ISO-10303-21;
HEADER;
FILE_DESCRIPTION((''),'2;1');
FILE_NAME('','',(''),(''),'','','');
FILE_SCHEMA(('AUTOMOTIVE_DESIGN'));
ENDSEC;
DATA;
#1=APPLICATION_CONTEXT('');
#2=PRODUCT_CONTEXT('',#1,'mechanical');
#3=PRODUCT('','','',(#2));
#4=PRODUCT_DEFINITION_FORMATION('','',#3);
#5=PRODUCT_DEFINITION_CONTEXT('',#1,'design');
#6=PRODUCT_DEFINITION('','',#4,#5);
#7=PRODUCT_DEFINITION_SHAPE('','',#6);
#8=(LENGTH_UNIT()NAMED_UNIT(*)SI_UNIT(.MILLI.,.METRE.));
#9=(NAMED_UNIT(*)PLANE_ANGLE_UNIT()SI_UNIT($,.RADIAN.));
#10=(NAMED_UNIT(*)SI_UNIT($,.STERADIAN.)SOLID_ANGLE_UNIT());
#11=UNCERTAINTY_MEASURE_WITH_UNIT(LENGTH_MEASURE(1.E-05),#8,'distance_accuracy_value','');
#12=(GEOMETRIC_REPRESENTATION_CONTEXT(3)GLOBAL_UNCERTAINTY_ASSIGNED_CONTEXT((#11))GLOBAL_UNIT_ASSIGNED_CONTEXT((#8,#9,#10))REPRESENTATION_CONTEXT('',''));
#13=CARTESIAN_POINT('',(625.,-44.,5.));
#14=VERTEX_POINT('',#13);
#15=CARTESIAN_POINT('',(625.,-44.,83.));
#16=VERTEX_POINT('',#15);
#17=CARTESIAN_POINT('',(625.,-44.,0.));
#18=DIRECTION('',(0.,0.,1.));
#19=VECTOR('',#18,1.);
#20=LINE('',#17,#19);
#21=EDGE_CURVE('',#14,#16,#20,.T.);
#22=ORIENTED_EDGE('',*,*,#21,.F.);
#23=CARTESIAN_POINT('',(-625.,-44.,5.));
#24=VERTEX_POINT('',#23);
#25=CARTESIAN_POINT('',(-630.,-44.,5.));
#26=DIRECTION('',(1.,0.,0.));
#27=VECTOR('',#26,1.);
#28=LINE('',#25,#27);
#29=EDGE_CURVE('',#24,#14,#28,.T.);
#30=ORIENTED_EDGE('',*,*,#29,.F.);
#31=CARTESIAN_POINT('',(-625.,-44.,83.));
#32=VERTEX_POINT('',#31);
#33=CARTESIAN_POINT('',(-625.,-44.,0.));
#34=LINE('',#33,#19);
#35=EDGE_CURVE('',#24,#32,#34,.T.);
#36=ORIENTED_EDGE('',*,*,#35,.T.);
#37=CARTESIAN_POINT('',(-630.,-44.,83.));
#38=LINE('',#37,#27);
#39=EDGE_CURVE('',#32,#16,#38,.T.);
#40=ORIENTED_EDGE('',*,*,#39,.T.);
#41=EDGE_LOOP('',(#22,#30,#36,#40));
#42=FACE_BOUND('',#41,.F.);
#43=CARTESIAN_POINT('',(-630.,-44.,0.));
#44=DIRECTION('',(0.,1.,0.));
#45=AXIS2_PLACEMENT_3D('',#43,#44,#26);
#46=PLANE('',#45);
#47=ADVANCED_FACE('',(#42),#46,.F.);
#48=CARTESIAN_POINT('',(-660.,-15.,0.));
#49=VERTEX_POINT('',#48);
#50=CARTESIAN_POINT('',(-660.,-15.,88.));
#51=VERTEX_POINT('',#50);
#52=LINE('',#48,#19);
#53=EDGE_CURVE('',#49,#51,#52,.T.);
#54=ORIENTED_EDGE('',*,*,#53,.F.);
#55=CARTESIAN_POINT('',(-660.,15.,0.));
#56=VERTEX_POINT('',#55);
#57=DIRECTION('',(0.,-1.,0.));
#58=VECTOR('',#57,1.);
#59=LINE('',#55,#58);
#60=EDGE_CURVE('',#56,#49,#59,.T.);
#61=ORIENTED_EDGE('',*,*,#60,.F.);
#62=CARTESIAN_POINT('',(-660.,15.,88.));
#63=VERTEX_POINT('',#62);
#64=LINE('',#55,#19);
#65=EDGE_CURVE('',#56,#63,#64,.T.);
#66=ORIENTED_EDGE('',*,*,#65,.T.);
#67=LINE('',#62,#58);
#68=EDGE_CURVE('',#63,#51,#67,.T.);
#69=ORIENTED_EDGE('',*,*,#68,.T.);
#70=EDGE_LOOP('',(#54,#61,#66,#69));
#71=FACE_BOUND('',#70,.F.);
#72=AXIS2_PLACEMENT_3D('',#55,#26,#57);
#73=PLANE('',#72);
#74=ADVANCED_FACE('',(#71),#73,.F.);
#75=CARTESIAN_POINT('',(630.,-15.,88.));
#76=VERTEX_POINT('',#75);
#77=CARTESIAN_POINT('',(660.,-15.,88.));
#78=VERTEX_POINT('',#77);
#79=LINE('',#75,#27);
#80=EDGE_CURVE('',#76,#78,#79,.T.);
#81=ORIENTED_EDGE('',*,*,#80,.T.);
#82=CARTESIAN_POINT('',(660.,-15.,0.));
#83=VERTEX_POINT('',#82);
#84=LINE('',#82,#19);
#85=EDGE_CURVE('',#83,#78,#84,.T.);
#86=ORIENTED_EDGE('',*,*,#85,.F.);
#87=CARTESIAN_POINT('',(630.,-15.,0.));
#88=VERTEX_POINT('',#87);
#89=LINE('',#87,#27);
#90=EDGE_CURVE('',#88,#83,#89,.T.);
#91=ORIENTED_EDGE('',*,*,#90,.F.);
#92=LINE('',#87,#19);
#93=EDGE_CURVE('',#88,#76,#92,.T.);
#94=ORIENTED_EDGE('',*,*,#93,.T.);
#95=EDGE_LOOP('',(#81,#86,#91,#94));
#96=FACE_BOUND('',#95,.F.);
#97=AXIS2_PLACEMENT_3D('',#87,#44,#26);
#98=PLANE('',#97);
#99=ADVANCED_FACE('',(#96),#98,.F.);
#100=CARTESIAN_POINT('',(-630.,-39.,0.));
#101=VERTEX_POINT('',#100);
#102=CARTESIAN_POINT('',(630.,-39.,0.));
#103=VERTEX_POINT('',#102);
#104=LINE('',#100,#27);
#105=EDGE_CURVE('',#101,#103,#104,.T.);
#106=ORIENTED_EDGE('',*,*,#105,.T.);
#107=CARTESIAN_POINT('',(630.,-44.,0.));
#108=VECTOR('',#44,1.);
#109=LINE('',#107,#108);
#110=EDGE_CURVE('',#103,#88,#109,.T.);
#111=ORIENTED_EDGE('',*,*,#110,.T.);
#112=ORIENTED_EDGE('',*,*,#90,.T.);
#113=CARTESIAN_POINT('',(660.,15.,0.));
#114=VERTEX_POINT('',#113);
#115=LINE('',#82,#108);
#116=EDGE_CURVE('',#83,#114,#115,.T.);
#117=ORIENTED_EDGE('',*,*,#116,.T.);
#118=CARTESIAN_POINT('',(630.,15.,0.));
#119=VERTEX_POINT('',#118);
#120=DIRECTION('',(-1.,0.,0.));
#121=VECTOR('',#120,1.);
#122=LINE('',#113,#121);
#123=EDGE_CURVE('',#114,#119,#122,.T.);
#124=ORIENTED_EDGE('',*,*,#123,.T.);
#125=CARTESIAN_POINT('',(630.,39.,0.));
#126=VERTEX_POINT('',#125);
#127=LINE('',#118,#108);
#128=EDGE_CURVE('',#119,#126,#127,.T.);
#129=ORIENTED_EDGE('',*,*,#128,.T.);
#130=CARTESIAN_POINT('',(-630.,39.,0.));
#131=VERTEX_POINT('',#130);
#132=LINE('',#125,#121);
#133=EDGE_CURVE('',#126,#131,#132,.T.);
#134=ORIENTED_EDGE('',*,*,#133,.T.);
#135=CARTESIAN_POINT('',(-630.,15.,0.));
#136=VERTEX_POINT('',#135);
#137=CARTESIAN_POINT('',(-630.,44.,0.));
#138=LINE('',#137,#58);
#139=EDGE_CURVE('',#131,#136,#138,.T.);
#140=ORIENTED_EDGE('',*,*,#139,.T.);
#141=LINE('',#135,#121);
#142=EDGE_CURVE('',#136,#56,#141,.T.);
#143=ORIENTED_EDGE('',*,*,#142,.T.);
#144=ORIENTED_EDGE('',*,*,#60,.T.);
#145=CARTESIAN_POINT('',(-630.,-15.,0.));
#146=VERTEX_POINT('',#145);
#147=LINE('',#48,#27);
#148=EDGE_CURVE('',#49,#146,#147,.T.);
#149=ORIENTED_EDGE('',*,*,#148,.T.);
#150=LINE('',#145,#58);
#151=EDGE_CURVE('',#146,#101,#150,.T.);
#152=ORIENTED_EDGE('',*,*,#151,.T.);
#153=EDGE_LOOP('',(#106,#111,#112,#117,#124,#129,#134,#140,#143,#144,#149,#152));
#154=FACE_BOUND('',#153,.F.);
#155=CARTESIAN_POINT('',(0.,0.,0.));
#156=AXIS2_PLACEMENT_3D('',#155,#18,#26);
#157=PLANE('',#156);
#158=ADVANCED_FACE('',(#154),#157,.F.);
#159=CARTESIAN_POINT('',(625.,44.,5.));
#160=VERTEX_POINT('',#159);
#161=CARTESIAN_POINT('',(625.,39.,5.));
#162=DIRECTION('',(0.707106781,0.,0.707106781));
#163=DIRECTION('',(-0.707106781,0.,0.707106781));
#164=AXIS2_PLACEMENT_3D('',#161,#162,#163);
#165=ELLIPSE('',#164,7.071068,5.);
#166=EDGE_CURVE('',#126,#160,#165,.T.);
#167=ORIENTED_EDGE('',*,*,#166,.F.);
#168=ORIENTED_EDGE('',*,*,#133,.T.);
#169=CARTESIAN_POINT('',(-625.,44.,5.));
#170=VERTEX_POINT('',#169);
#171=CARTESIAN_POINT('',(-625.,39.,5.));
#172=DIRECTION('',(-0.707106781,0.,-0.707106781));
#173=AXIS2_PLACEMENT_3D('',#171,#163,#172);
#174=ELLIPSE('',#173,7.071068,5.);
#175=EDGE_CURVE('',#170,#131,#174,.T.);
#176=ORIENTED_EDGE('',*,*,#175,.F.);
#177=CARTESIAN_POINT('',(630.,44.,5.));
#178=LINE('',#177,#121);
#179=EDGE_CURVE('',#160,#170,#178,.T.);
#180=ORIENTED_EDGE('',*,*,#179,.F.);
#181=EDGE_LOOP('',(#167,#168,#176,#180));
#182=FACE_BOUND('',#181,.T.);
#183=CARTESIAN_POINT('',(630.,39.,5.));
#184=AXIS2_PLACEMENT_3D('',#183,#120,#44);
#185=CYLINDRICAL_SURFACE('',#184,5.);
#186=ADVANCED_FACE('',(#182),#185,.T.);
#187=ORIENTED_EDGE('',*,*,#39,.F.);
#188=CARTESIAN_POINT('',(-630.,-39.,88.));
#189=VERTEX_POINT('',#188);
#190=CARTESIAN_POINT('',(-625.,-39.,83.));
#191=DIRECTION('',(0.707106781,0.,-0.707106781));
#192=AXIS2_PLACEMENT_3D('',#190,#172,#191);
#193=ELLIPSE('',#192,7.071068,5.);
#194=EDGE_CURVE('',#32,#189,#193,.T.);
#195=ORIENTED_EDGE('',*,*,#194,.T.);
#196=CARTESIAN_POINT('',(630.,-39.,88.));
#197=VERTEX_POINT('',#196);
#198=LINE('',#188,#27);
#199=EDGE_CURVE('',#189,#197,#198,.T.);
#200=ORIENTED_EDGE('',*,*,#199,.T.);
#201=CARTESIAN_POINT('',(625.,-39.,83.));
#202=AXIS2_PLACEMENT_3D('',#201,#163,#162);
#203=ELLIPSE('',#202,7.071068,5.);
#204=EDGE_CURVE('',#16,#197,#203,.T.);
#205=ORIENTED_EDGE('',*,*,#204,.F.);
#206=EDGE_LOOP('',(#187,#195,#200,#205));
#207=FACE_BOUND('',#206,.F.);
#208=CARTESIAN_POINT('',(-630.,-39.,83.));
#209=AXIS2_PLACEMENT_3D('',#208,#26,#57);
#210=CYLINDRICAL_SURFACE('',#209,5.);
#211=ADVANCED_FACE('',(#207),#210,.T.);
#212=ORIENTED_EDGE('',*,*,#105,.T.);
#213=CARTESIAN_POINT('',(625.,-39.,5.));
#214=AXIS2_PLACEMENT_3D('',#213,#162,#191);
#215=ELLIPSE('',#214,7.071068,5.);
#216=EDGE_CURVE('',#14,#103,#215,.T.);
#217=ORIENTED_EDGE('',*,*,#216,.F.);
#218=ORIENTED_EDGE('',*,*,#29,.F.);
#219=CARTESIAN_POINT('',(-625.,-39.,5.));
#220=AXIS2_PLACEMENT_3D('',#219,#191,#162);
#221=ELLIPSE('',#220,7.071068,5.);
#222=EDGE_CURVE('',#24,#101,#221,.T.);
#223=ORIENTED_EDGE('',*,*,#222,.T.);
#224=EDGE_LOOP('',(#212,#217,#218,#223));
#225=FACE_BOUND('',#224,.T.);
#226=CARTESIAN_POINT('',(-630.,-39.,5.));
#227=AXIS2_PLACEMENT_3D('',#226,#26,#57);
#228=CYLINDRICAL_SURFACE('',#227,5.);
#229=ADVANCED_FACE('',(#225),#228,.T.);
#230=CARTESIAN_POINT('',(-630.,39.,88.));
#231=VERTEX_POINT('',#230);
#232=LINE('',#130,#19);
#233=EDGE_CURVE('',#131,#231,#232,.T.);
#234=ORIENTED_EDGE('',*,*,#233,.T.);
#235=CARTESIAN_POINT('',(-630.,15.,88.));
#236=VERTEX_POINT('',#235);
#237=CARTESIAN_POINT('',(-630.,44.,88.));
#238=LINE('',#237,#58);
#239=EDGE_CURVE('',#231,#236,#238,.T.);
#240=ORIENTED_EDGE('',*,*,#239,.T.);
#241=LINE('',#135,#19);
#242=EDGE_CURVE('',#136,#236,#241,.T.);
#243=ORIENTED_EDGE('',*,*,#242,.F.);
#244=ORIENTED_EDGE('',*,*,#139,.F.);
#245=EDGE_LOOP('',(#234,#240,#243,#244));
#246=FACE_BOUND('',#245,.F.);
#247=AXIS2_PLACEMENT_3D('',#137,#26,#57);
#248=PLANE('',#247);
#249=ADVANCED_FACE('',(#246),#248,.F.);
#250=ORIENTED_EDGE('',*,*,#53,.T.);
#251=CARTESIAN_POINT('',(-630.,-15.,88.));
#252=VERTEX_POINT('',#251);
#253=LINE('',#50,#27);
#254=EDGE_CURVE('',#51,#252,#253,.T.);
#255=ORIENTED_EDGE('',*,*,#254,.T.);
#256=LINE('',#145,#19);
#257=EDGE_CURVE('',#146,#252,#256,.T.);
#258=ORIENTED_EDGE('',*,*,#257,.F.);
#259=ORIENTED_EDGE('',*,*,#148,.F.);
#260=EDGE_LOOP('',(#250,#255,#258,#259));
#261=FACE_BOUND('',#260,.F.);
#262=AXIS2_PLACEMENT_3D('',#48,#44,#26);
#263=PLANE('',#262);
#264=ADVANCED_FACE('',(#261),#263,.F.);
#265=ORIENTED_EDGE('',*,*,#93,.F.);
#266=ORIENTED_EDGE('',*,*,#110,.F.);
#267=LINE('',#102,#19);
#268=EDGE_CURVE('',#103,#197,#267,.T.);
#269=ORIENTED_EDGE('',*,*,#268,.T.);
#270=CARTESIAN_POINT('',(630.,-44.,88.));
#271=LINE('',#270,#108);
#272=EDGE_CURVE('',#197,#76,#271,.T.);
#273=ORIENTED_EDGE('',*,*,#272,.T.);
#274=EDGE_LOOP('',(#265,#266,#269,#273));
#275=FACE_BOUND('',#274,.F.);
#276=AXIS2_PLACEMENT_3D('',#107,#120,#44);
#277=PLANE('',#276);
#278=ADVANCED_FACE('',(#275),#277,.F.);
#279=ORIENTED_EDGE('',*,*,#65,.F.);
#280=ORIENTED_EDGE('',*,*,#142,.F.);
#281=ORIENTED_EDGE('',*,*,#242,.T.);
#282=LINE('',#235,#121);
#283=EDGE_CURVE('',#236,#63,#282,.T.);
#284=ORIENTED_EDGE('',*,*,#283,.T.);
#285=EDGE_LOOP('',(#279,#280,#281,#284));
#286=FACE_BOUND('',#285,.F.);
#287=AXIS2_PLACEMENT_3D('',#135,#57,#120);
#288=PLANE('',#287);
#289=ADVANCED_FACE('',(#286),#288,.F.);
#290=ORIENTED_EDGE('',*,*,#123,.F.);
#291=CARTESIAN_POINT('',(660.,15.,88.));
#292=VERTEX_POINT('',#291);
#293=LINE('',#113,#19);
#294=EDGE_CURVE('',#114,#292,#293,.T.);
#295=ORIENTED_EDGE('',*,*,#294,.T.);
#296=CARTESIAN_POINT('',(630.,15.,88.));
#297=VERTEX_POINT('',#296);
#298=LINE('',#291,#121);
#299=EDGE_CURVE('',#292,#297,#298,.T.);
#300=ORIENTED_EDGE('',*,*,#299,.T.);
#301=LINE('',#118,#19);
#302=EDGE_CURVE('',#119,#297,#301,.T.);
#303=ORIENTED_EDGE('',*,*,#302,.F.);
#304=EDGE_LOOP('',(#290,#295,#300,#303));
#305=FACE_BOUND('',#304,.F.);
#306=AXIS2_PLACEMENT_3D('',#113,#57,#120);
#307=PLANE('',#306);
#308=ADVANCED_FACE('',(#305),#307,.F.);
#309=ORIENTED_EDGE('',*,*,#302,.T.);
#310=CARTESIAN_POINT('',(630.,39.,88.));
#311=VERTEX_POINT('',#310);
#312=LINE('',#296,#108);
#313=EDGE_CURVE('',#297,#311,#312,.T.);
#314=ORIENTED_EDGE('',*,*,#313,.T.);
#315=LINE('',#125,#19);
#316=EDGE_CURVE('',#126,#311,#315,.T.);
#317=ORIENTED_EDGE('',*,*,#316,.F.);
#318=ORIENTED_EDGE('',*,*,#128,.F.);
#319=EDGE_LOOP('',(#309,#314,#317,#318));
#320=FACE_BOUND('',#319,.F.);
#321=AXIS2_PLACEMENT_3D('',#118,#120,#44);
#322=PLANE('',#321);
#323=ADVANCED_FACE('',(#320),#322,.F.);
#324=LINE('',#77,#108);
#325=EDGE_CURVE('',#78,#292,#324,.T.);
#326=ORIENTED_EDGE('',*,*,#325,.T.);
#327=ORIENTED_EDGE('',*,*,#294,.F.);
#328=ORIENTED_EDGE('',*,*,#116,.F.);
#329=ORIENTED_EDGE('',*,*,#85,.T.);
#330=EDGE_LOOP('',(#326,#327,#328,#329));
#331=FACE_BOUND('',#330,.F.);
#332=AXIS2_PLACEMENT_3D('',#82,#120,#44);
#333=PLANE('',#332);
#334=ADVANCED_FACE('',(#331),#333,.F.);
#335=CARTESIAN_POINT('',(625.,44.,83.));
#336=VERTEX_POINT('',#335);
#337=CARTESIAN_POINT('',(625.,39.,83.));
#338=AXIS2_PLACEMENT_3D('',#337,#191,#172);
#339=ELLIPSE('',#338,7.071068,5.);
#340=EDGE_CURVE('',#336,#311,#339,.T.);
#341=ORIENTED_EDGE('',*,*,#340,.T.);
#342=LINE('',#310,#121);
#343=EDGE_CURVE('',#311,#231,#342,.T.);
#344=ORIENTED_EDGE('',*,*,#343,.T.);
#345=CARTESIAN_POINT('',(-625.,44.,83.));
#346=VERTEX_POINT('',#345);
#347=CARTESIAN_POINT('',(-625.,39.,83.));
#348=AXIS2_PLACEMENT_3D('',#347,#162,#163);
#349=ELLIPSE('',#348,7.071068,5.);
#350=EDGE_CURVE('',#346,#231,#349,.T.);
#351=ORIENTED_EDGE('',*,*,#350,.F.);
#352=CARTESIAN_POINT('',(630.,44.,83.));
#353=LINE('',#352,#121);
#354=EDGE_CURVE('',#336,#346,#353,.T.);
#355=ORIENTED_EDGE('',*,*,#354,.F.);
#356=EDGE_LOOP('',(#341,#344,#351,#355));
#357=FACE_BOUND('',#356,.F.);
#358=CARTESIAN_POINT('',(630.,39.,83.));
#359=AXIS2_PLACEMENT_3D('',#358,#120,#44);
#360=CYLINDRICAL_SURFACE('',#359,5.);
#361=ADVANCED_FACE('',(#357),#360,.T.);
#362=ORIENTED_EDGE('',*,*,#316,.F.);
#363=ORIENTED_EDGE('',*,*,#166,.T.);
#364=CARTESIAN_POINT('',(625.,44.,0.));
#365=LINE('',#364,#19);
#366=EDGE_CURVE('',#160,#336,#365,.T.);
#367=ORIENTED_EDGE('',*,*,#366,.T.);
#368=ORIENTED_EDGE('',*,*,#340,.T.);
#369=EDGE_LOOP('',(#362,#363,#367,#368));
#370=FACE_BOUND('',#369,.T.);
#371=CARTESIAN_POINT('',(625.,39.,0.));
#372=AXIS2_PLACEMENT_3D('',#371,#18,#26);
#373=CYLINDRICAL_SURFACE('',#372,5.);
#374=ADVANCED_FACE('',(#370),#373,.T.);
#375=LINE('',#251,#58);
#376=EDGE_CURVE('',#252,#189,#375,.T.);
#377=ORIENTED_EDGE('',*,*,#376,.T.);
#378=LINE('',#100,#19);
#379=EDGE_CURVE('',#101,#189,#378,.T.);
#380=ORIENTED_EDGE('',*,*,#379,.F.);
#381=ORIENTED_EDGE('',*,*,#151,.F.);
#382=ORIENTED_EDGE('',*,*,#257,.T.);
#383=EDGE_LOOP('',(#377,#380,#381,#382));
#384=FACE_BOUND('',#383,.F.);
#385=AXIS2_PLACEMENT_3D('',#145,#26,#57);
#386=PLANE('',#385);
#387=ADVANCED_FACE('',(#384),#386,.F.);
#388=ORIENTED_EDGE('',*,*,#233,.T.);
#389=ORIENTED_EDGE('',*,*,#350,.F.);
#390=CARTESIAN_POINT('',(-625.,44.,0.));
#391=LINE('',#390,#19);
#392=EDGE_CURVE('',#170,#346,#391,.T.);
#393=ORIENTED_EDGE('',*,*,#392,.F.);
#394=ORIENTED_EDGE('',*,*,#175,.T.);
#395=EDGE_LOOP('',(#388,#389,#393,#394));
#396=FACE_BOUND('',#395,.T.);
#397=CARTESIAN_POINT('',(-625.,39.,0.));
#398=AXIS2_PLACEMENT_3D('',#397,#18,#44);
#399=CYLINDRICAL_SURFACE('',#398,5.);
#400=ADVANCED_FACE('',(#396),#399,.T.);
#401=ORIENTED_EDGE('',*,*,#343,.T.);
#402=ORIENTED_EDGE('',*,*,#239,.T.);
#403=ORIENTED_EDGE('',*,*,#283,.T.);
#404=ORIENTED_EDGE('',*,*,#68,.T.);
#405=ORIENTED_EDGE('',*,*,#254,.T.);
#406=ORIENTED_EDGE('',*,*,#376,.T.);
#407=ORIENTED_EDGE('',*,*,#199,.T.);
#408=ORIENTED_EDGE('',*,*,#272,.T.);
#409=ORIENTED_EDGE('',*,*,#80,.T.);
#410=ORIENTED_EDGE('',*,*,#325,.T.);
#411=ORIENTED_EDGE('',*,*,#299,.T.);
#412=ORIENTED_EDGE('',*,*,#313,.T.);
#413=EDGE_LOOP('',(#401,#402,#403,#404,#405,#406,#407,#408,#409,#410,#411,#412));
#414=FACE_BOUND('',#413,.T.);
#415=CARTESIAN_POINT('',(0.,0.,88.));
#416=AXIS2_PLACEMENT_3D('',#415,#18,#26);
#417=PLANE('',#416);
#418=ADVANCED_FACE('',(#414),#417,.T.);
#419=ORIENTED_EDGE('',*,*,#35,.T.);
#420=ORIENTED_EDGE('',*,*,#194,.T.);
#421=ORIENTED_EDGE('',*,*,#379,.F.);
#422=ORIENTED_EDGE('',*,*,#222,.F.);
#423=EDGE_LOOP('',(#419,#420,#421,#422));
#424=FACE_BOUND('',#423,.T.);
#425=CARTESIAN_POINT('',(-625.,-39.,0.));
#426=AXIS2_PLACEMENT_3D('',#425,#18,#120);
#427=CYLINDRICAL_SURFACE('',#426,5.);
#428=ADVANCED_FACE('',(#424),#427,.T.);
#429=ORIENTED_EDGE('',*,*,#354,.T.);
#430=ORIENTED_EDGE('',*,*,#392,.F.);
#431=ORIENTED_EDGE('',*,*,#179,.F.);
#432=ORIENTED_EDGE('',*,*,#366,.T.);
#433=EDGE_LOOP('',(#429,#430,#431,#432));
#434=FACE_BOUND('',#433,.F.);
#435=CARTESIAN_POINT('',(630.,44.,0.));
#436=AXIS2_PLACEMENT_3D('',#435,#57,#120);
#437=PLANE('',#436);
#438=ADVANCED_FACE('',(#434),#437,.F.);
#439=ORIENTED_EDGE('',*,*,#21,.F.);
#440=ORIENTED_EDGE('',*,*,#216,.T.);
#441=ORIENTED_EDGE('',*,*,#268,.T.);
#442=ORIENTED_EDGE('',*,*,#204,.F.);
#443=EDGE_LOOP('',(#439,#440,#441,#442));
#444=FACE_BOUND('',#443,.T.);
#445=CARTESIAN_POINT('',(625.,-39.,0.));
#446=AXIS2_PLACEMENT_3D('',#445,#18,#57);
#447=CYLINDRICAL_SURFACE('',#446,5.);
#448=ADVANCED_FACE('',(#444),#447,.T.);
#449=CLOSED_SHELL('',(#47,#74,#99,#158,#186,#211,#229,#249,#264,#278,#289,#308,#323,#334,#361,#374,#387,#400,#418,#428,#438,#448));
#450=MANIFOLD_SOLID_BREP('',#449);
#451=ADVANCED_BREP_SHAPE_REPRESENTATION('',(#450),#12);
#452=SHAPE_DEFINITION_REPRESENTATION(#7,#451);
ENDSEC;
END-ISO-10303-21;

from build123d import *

# Parameters (mm, degrees)
F1_DEPTH = 88
F2_R     = 5


with BuildPart() as f1:
    # F0 (on Top) → F1 (new body)
    with BuildSketch(Plane.XY):
        Polygon((-630, -15), (-630, -44), (630, -44), (630, -15), (660, -15), (660, 15), (630, 15), (630, 44), (-630, 44), (-630, 15), (-660, 15), (-660, -15), align=None)
    extrude(amount=F1_DEPTH)

    # F2
    f2_edges = [f1.edges().sort_by_distance(p)[0] for p in [
        (0, -44, 0),
        (0, -44, 88),
        (0, 44, 88),
        (630, -44, 44),
        (630, 44, 44),
        (0, 44, 0),
        (-630, 44, 44),
        (-630, -44, 44),
    ]]
    fillet(f2_edges, radius=F2_R)


solid = f1.part
